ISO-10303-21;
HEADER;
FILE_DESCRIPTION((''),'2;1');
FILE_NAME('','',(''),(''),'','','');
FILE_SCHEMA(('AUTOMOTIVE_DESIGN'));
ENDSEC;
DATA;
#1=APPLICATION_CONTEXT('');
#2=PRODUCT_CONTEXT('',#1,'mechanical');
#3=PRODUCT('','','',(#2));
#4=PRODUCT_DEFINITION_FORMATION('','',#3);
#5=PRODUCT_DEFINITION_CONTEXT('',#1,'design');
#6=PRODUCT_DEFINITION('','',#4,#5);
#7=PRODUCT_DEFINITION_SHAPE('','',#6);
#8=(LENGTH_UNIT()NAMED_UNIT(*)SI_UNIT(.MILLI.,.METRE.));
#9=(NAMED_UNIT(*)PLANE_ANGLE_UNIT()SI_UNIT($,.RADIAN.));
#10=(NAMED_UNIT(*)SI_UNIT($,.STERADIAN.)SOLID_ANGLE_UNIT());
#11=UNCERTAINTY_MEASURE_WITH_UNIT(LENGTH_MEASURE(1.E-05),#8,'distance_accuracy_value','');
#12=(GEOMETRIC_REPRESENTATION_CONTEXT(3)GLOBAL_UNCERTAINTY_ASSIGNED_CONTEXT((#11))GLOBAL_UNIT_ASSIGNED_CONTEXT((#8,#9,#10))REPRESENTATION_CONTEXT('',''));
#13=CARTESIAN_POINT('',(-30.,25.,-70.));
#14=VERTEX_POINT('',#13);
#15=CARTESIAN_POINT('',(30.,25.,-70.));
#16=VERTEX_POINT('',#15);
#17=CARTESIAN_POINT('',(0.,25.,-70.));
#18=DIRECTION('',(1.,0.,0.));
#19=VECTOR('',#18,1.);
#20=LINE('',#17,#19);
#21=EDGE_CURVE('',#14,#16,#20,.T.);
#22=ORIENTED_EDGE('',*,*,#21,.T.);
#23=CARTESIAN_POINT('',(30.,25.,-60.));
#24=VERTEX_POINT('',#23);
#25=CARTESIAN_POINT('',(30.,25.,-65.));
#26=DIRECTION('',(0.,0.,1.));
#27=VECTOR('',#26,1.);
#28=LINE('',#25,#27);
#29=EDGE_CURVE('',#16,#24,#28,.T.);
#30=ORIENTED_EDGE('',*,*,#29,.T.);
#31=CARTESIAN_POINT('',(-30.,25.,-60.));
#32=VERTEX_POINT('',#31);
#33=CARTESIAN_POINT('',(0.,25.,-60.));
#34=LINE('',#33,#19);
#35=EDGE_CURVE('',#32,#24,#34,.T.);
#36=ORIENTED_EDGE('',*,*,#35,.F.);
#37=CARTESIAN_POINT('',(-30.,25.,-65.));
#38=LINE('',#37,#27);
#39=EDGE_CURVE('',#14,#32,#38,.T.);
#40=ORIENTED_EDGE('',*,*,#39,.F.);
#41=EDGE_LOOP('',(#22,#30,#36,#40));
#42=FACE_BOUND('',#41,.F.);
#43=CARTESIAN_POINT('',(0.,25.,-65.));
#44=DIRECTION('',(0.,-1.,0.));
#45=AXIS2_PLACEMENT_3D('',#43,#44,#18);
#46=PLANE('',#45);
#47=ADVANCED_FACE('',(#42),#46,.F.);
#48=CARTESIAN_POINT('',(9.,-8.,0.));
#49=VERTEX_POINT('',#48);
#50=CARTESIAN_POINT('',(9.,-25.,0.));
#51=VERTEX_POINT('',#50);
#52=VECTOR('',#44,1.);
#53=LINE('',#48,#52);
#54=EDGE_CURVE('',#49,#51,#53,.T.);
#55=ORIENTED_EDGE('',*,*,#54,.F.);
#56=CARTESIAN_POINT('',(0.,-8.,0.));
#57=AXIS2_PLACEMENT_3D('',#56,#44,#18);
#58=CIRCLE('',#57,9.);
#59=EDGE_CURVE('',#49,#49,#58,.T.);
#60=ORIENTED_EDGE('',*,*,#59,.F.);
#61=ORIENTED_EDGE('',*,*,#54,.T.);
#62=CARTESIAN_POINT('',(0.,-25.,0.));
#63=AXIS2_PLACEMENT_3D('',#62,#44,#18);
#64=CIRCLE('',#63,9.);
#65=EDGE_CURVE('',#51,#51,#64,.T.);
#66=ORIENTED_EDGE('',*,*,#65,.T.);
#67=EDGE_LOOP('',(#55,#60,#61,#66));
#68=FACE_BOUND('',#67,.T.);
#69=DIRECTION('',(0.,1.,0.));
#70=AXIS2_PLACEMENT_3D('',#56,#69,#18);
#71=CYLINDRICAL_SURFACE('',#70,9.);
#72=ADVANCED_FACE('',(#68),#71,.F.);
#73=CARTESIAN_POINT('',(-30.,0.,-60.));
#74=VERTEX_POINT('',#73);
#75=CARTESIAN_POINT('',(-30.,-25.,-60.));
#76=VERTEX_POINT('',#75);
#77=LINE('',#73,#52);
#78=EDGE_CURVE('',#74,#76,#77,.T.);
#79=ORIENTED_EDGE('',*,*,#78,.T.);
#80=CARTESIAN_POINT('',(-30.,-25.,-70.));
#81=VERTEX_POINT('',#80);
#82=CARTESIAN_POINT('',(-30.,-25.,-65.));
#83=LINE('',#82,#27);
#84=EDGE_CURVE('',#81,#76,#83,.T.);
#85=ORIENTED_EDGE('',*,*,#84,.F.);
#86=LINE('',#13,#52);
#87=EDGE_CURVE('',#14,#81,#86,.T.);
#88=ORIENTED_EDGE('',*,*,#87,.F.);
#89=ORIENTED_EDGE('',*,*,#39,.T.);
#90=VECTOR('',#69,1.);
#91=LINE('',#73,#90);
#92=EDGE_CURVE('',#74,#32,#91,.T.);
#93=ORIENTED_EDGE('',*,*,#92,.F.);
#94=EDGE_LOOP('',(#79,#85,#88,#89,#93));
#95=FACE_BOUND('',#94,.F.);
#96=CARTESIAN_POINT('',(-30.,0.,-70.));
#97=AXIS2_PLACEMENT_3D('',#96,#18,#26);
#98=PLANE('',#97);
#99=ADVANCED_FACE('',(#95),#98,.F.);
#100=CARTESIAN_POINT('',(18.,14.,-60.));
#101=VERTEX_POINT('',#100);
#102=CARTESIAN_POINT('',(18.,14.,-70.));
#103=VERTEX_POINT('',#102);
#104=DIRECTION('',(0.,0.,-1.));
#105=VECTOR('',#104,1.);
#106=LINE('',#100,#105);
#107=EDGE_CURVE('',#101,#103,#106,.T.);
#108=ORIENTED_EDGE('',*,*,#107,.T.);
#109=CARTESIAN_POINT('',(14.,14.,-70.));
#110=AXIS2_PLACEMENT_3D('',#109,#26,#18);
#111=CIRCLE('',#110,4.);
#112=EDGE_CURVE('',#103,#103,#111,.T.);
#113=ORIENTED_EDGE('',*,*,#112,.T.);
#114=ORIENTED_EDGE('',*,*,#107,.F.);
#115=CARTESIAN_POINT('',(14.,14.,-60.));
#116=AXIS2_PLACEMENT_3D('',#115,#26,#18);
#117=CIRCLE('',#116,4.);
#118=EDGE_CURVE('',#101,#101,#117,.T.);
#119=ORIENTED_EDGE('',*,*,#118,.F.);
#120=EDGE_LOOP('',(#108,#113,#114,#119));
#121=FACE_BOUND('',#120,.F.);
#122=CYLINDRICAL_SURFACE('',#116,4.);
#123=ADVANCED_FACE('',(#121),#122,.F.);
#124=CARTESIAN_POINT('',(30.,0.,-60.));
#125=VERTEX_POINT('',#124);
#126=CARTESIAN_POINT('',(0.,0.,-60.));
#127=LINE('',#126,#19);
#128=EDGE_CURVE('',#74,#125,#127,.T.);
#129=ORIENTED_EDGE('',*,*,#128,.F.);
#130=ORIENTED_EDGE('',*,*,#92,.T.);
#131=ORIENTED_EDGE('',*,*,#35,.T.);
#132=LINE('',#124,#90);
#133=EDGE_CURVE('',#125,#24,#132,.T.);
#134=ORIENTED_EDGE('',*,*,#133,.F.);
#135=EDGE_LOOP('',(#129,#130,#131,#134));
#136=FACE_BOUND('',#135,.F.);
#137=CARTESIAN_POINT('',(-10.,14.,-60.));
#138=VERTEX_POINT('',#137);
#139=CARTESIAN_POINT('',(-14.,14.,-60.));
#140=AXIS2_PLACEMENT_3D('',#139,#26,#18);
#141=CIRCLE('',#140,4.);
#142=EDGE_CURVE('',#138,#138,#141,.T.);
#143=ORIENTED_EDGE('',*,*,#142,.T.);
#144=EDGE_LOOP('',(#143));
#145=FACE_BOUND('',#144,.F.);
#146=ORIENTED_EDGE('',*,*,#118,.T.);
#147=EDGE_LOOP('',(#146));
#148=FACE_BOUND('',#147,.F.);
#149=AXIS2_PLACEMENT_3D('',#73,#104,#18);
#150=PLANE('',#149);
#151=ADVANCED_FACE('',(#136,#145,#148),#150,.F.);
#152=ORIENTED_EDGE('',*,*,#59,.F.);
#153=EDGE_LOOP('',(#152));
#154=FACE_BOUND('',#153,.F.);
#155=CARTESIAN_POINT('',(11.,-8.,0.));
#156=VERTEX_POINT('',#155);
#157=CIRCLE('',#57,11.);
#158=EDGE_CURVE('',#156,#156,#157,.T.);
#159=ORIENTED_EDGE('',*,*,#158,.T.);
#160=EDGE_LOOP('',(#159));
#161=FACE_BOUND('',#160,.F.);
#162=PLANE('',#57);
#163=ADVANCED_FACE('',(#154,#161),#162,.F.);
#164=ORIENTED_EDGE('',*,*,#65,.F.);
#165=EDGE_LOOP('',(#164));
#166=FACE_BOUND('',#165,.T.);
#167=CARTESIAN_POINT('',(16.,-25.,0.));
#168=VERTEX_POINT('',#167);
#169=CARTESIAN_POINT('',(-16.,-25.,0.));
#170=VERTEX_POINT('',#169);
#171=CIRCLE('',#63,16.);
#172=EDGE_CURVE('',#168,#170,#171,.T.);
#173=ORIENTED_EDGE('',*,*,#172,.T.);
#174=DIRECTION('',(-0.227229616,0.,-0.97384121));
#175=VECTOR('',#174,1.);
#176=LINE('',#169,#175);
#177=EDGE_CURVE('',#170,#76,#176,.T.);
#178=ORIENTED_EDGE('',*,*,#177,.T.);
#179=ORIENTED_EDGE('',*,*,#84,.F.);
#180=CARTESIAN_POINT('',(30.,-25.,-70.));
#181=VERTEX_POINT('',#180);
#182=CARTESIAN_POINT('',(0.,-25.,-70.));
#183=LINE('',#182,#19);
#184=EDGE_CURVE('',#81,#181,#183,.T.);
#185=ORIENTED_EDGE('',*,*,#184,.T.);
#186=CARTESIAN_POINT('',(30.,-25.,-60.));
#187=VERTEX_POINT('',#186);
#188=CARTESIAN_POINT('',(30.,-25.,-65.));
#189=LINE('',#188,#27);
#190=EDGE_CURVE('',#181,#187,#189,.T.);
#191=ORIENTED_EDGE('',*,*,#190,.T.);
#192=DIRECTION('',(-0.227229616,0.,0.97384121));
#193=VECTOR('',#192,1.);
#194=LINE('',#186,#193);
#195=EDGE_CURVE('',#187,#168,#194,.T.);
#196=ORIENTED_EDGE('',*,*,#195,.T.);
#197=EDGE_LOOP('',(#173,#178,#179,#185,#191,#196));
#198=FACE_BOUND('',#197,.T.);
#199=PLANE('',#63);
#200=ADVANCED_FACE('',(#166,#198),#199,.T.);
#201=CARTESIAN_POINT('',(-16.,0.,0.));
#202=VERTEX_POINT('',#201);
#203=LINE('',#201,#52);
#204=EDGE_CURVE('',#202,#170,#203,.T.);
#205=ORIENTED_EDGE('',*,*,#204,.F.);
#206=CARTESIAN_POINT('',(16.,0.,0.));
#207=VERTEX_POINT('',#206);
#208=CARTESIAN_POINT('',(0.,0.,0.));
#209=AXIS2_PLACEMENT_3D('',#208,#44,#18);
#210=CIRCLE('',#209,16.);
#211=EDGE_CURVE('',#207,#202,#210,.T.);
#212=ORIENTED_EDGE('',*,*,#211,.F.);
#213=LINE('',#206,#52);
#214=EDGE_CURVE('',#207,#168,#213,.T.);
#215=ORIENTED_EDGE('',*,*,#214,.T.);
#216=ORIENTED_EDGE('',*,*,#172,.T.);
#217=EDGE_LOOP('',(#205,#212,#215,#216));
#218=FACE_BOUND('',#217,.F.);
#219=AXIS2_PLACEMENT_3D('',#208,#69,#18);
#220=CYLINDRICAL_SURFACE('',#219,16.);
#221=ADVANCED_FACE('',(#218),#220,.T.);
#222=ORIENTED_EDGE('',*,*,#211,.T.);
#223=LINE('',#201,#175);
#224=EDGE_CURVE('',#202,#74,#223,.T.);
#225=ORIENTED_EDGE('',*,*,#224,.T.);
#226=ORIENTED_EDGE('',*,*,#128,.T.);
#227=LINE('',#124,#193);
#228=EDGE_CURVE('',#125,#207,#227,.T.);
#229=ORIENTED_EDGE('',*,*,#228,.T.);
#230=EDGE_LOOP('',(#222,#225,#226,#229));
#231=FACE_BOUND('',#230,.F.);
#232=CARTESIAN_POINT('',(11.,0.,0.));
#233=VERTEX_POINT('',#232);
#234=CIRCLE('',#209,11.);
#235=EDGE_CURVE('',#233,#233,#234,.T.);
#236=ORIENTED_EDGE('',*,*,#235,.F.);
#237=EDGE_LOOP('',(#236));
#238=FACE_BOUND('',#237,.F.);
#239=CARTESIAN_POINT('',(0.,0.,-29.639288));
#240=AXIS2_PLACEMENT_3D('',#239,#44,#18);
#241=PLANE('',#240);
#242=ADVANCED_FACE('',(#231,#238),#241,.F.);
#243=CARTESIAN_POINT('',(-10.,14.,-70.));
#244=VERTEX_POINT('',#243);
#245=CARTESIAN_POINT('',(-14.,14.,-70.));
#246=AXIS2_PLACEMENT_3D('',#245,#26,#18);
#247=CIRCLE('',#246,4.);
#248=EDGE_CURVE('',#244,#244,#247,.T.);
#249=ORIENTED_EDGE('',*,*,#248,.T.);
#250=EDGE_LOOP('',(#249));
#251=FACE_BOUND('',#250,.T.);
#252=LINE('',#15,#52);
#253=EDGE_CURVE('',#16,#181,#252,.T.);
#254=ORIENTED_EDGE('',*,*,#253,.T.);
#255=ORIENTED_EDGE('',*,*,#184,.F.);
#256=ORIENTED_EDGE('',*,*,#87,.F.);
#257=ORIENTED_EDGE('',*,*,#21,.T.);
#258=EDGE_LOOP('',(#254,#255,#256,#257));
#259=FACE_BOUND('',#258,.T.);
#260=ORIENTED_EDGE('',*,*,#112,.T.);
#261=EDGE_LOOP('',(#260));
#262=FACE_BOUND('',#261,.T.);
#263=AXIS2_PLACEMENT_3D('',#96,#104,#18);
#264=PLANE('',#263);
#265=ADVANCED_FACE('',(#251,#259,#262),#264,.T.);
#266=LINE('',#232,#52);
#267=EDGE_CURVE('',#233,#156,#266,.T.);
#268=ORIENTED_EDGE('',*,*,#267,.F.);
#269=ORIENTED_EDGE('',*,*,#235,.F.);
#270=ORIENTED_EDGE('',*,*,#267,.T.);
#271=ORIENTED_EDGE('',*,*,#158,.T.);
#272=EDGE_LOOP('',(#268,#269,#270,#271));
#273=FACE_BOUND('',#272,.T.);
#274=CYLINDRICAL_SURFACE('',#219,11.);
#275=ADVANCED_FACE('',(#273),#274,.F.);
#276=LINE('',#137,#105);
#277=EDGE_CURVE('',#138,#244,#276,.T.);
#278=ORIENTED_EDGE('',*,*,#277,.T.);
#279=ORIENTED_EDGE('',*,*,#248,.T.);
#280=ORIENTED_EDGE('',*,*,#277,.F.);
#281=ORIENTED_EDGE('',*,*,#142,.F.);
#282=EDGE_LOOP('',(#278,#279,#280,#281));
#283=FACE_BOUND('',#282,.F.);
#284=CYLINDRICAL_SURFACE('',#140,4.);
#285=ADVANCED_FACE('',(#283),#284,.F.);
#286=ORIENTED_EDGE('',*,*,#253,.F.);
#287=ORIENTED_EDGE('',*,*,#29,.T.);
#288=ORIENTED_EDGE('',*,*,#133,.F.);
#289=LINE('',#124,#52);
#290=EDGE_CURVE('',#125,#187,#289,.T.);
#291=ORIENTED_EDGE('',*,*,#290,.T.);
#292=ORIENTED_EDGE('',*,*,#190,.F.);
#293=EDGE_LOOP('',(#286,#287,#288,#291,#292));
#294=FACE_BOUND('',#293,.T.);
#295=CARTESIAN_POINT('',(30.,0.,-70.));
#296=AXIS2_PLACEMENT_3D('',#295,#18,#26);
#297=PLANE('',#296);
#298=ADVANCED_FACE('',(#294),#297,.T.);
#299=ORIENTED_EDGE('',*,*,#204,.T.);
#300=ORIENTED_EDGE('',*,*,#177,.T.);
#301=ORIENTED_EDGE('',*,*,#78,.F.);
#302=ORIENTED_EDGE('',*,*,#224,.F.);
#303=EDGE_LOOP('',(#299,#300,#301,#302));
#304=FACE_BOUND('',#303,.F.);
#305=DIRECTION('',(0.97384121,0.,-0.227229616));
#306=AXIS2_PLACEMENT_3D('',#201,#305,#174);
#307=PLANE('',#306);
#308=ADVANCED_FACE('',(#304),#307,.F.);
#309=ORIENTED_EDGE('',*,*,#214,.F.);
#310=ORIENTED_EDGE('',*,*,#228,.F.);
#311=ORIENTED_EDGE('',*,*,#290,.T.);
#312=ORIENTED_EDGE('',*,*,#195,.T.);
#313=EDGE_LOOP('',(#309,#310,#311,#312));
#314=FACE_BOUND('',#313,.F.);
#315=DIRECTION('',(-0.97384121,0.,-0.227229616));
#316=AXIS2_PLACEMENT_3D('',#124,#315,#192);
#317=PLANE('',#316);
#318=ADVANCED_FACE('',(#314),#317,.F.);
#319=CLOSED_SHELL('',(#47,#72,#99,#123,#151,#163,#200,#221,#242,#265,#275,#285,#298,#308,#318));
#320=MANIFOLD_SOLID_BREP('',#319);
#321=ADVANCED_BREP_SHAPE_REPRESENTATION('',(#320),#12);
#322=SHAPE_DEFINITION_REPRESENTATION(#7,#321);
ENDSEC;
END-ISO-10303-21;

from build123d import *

# Parameters (mm, degrees)
F0_R     = 11
F0_W     = 60
F0_H     = 10
F1_DEPTH = 25
F2_DEPTH = 25
F3_START = 8
F0_R_2   = 9
F3_DEPTH = 17
F4_R     = 4
F5_DEPTH = 25


with BuildPart() as f1:
    # F0 (on Front) → F1 (new body)
    with BuildSketch(Plane.XZ):
        with BuildLine():
            ThreePointArc((16, 0), (0, 16), (-16, 0))
            Line((-16, 0), (-30, -60))
            Line((-30, -60), (30, -60))
            Line((30, -60), (16, 0))
        make_face()
        Circle(F0_R, mode=Mode.SUBTRACT)
        with Locations((0, -65)):
            Rectangle(F0_W, F0_H)
    extrude(amount=F1_DEPTH)

    # F0 (on Front) → F2 (join)
    with BuildSketch(Plane.XZ):
        with Locations((0, -65)):
            Rectangle(F0_W, F0_H)
    extrude(amount=-F2_DEPTH)

    # F0 (on Front) → F3 (join)
    with BuildSketch(Plane.XZ.offset(F3_START)):
        Circle(F0_R)
        Circle(F0_R_2, mode=Mode.SUBTRACT)
    extrude(amount=F3_DEPTH)

    # F4 (on face) → F5 (cut)
    with BuildSketch(Plane.XY.offset(-60)):
        with Locations((-14, 14)):
            Circle(F4_R)
        with Locations((14, 14)):
            Circle(F4_R)
    extrude(amount=-F5_DEPTH, mode=Mode.SUBTRACT)


solid = f1.part
